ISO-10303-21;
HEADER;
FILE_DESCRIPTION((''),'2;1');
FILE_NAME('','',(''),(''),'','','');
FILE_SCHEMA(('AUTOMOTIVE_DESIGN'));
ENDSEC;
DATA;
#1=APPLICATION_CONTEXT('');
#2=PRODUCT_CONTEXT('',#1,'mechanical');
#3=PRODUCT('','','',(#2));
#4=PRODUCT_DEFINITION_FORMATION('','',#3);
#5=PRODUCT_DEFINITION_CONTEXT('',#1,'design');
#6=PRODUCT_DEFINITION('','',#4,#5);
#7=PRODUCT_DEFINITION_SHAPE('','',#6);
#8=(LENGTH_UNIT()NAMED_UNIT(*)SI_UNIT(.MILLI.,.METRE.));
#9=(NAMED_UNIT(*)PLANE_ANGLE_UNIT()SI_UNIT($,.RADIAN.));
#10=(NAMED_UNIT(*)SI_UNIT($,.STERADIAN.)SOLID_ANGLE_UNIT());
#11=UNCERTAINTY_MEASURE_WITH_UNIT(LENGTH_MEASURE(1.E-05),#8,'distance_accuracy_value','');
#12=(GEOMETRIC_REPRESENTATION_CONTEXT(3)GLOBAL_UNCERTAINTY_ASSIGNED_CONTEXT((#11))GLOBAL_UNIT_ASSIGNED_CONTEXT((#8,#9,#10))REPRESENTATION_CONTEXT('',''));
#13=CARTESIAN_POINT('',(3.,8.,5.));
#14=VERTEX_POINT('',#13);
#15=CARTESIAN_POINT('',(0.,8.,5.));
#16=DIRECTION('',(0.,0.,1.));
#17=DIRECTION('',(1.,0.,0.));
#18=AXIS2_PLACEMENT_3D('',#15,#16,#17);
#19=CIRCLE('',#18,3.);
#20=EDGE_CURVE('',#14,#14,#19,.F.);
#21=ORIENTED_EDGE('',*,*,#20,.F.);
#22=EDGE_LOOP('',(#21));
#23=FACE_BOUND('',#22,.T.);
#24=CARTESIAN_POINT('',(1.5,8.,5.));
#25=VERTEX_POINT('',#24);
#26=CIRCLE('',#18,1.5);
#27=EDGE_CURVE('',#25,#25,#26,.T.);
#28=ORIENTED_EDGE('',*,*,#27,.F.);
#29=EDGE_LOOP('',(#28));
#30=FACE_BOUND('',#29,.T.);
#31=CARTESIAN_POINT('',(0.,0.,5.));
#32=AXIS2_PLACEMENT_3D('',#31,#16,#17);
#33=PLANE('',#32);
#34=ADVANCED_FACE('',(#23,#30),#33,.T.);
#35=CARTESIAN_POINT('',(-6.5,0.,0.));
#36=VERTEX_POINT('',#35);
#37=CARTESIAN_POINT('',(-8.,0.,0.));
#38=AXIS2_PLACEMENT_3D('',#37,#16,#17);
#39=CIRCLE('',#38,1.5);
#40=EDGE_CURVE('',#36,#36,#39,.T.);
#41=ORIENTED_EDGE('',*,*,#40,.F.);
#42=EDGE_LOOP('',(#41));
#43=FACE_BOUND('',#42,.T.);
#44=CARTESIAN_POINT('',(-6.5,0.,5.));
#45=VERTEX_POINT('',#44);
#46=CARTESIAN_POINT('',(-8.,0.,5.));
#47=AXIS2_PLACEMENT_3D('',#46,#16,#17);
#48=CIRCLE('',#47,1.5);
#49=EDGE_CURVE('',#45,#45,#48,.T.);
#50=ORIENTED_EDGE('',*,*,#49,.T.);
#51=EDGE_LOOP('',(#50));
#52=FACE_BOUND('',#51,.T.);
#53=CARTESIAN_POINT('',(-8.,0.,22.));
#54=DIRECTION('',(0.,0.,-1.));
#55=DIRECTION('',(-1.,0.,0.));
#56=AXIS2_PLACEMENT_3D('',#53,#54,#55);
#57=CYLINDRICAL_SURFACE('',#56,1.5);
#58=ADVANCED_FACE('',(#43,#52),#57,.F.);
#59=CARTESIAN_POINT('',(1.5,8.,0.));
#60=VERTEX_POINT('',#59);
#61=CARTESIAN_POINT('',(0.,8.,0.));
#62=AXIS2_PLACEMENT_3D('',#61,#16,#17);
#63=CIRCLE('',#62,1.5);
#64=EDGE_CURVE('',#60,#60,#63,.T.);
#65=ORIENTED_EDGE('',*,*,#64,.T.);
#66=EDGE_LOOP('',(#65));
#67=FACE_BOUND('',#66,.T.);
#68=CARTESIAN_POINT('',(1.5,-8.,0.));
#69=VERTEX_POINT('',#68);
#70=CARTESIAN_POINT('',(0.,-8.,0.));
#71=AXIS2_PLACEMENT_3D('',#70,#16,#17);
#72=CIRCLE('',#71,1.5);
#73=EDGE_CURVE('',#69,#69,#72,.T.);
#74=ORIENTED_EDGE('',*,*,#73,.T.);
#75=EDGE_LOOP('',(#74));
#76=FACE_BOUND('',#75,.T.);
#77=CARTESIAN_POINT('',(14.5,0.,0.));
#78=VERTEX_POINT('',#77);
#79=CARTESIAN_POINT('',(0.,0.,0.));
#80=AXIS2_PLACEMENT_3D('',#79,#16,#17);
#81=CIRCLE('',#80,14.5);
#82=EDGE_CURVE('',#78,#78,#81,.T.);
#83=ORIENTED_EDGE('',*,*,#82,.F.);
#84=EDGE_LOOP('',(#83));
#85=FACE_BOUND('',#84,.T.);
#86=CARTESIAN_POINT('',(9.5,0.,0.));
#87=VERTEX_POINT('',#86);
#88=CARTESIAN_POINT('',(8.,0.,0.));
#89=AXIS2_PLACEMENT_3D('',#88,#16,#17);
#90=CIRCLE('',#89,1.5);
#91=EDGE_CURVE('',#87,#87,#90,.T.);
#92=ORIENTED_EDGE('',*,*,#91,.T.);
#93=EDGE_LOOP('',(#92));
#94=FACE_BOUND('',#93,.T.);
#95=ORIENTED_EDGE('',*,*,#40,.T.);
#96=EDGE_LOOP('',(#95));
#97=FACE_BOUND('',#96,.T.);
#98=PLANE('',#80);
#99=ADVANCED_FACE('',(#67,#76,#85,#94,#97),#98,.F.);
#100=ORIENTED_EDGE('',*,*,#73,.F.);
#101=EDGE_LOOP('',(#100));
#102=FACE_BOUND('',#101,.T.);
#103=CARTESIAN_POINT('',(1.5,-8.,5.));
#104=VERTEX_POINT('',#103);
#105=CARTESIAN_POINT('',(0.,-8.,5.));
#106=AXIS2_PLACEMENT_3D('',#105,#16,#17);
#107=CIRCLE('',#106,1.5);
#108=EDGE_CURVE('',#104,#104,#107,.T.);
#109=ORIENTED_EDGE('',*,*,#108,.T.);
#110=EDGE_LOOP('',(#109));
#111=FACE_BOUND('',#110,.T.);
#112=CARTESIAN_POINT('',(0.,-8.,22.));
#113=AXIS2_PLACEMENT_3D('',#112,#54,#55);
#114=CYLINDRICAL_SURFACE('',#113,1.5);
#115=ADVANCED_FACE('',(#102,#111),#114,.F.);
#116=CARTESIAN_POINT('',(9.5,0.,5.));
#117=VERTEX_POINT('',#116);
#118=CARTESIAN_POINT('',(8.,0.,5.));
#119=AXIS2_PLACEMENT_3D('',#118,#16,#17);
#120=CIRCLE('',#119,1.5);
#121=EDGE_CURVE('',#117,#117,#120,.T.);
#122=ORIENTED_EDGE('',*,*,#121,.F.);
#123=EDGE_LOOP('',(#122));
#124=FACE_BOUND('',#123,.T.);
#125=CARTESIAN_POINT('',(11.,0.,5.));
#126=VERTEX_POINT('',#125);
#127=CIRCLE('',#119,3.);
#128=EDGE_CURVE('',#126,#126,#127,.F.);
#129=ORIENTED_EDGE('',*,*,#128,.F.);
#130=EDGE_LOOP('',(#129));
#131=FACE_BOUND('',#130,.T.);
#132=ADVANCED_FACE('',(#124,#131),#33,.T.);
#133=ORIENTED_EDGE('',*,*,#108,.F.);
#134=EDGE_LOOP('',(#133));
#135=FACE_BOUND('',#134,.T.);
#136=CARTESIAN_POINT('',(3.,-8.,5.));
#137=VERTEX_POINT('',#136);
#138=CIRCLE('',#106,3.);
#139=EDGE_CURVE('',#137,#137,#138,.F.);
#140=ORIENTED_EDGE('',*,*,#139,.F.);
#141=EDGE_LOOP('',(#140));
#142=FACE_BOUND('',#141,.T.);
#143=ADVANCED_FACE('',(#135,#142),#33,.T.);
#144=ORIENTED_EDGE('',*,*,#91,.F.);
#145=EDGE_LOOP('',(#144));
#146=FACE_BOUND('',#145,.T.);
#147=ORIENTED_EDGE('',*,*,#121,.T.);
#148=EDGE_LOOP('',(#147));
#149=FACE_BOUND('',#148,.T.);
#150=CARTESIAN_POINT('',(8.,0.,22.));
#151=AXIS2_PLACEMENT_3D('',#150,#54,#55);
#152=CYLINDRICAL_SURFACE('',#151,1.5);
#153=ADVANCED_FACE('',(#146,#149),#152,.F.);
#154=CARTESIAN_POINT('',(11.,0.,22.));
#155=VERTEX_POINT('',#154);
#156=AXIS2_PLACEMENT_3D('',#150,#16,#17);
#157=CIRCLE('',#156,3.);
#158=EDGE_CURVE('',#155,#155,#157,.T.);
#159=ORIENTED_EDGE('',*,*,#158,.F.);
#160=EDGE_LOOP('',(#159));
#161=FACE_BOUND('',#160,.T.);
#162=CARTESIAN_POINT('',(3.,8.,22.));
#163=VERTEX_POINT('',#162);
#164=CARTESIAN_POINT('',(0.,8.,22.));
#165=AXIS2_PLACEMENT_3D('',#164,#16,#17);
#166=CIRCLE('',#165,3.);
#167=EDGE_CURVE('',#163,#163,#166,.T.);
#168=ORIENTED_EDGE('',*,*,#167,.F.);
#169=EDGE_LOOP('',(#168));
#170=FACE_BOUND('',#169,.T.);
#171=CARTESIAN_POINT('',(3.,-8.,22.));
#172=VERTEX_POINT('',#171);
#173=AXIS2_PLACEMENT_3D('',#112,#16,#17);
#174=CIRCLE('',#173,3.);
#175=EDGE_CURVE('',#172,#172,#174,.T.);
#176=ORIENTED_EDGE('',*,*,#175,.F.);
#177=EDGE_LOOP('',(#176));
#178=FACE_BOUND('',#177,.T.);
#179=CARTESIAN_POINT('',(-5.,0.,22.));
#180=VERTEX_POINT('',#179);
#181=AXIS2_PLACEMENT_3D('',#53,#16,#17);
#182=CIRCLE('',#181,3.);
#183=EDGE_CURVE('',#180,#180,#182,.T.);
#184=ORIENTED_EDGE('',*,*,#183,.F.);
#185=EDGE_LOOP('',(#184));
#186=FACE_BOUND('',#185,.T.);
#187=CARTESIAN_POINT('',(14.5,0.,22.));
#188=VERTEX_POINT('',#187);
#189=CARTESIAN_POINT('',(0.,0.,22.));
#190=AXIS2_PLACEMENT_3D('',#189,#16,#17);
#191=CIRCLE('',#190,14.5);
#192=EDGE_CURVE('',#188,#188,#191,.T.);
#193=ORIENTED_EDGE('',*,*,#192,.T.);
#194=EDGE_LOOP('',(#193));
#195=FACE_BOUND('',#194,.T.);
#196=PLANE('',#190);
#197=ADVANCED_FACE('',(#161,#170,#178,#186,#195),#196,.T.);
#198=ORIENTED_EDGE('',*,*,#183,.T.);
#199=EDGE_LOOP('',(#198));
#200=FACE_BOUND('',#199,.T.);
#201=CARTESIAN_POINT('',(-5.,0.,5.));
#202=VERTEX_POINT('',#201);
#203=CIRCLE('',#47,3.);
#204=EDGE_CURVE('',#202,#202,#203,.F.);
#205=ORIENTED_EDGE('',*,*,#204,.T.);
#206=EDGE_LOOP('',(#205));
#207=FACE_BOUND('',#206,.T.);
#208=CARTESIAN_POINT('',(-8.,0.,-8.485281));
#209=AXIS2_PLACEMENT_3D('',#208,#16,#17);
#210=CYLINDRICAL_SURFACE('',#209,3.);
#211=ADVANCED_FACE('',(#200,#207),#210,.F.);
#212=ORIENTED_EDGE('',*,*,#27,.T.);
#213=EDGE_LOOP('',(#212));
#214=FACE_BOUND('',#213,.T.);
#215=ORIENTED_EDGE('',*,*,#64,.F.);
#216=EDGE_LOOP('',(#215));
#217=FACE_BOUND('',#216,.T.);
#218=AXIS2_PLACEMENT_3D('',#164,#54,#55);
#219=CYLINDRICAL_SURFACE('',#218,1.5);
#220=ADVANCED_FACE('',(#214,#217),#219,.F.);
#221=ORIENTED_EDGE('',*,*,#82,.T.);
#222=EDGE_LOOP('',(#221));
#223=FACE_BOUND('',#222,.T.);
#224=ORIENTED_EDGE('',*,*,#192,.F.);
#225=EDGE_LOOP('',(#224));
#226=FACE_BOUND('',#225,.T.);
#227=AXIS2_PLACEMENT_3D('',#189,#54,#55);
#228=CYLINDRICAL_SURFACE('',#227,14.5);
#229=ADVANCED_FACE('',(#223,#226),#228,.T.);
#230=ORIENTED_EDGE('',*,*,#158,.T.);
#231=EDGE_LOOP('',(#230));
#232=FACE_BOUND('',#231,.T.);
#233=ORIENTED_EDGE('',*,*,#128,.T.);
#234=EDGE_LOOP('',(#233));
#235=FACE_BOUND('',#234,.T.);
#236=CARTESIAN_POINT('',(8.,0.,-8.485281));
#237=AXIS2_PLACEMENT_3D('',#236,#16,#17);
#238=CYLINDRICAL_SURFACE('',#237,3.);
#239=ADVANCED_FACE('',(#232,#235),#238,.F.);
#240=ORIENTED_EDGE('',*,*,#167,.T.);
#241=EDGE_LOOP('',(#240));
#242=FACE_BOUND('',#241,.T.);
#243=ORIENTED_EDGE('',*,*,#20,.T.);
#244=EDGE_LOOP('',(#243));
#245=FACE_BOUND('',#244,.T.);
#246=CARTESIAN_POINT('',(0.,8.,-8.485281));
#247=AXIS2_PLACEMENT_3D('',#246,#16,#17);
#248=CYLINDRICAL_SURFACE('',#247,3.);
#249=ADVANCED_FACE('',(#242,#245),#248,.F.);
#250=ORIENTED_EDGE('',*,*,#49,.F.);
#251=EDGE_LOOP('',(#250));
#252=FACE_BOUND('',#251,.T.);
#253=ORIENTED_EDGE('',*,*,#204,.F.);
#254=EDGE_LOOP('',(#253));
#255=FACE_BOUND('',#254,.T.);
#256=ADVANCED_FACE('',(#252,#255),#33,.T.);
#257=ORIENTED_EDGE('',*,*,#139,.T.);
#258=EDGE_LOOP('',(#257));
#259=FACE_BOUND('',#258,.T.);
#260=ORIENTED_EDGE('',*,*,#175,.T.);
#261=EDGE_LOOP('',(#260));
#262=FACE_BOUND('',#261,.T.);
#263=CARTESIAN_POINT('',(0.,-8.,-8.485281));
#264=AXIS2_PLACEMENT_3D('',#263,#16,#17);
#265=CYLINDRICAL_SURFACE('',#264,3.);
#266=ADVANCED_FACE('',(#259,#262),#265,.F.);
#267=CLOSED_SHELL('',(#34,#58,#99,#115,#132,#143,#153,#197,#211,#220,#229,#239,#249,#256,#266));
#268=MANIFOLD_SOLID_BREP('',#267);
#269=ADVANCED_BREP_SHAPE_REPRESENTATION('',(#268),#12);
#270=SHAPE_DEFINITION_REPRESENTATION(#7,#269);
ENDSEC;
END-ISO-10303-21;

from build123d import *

# Parameters (mm, degrees)
SKIZZE1_R                       = 14.5
SKIZZE1_R_2                     = 1.5
AUFSATZ_LINEAR_AUSTRAGEN1_DEPTH = 22
SKIZZE2_R                       = 3
SCHNITT_LINEAR_AUSTRAGEN1_DEPTH = 17


with BuildPart() as part:
    # Skizze1 → Aufsatz-Linear austragen1 (new body)
    with BuildSketch(Plane.XY):
        Circle(SKIZZE1_R)
        with Locations((8, 0)):
            Circle(SKIZZE1_R_2, mode=Mode.SUBTRACT)
        with Locations((0, -8)):
            Circle(SKIZZE1_R_2, mode=Mode.SUBTRACT)
        with Locations((-8, 0)):
            Circle(SKIZZE1_R_2, mode=Mode.SUBTRACT)
        with Locations((0, 8)):
            Circle(SKIZZE1_R_2, mode=Mode.SUBTRACT)
    extrude(amount=AUFSATZ_LINEAR_AUSTRAGEN1_DEPTH)

    # Skizze2 → Schnitt-Linear austragen1 (cut)
    with BuildSketch(Plane.XY.offset(22)):
        with Locations((0, 8)):
            Circle(SKIZZE2_R)
        with Locations((8, 0)):
            Circle(SKIZZE2_R)
        with Locations((0, -8)):
            Circle(SKIZZE2_R)
        with Locations((-8, 0)):
            Circle(SKIZZE2_R)
    extrude(amount=-SCHNITT_LINEAR_AUSTRAGEN1_DEPTH, mode=Mode.SUBTRACT)


solid = part.part
